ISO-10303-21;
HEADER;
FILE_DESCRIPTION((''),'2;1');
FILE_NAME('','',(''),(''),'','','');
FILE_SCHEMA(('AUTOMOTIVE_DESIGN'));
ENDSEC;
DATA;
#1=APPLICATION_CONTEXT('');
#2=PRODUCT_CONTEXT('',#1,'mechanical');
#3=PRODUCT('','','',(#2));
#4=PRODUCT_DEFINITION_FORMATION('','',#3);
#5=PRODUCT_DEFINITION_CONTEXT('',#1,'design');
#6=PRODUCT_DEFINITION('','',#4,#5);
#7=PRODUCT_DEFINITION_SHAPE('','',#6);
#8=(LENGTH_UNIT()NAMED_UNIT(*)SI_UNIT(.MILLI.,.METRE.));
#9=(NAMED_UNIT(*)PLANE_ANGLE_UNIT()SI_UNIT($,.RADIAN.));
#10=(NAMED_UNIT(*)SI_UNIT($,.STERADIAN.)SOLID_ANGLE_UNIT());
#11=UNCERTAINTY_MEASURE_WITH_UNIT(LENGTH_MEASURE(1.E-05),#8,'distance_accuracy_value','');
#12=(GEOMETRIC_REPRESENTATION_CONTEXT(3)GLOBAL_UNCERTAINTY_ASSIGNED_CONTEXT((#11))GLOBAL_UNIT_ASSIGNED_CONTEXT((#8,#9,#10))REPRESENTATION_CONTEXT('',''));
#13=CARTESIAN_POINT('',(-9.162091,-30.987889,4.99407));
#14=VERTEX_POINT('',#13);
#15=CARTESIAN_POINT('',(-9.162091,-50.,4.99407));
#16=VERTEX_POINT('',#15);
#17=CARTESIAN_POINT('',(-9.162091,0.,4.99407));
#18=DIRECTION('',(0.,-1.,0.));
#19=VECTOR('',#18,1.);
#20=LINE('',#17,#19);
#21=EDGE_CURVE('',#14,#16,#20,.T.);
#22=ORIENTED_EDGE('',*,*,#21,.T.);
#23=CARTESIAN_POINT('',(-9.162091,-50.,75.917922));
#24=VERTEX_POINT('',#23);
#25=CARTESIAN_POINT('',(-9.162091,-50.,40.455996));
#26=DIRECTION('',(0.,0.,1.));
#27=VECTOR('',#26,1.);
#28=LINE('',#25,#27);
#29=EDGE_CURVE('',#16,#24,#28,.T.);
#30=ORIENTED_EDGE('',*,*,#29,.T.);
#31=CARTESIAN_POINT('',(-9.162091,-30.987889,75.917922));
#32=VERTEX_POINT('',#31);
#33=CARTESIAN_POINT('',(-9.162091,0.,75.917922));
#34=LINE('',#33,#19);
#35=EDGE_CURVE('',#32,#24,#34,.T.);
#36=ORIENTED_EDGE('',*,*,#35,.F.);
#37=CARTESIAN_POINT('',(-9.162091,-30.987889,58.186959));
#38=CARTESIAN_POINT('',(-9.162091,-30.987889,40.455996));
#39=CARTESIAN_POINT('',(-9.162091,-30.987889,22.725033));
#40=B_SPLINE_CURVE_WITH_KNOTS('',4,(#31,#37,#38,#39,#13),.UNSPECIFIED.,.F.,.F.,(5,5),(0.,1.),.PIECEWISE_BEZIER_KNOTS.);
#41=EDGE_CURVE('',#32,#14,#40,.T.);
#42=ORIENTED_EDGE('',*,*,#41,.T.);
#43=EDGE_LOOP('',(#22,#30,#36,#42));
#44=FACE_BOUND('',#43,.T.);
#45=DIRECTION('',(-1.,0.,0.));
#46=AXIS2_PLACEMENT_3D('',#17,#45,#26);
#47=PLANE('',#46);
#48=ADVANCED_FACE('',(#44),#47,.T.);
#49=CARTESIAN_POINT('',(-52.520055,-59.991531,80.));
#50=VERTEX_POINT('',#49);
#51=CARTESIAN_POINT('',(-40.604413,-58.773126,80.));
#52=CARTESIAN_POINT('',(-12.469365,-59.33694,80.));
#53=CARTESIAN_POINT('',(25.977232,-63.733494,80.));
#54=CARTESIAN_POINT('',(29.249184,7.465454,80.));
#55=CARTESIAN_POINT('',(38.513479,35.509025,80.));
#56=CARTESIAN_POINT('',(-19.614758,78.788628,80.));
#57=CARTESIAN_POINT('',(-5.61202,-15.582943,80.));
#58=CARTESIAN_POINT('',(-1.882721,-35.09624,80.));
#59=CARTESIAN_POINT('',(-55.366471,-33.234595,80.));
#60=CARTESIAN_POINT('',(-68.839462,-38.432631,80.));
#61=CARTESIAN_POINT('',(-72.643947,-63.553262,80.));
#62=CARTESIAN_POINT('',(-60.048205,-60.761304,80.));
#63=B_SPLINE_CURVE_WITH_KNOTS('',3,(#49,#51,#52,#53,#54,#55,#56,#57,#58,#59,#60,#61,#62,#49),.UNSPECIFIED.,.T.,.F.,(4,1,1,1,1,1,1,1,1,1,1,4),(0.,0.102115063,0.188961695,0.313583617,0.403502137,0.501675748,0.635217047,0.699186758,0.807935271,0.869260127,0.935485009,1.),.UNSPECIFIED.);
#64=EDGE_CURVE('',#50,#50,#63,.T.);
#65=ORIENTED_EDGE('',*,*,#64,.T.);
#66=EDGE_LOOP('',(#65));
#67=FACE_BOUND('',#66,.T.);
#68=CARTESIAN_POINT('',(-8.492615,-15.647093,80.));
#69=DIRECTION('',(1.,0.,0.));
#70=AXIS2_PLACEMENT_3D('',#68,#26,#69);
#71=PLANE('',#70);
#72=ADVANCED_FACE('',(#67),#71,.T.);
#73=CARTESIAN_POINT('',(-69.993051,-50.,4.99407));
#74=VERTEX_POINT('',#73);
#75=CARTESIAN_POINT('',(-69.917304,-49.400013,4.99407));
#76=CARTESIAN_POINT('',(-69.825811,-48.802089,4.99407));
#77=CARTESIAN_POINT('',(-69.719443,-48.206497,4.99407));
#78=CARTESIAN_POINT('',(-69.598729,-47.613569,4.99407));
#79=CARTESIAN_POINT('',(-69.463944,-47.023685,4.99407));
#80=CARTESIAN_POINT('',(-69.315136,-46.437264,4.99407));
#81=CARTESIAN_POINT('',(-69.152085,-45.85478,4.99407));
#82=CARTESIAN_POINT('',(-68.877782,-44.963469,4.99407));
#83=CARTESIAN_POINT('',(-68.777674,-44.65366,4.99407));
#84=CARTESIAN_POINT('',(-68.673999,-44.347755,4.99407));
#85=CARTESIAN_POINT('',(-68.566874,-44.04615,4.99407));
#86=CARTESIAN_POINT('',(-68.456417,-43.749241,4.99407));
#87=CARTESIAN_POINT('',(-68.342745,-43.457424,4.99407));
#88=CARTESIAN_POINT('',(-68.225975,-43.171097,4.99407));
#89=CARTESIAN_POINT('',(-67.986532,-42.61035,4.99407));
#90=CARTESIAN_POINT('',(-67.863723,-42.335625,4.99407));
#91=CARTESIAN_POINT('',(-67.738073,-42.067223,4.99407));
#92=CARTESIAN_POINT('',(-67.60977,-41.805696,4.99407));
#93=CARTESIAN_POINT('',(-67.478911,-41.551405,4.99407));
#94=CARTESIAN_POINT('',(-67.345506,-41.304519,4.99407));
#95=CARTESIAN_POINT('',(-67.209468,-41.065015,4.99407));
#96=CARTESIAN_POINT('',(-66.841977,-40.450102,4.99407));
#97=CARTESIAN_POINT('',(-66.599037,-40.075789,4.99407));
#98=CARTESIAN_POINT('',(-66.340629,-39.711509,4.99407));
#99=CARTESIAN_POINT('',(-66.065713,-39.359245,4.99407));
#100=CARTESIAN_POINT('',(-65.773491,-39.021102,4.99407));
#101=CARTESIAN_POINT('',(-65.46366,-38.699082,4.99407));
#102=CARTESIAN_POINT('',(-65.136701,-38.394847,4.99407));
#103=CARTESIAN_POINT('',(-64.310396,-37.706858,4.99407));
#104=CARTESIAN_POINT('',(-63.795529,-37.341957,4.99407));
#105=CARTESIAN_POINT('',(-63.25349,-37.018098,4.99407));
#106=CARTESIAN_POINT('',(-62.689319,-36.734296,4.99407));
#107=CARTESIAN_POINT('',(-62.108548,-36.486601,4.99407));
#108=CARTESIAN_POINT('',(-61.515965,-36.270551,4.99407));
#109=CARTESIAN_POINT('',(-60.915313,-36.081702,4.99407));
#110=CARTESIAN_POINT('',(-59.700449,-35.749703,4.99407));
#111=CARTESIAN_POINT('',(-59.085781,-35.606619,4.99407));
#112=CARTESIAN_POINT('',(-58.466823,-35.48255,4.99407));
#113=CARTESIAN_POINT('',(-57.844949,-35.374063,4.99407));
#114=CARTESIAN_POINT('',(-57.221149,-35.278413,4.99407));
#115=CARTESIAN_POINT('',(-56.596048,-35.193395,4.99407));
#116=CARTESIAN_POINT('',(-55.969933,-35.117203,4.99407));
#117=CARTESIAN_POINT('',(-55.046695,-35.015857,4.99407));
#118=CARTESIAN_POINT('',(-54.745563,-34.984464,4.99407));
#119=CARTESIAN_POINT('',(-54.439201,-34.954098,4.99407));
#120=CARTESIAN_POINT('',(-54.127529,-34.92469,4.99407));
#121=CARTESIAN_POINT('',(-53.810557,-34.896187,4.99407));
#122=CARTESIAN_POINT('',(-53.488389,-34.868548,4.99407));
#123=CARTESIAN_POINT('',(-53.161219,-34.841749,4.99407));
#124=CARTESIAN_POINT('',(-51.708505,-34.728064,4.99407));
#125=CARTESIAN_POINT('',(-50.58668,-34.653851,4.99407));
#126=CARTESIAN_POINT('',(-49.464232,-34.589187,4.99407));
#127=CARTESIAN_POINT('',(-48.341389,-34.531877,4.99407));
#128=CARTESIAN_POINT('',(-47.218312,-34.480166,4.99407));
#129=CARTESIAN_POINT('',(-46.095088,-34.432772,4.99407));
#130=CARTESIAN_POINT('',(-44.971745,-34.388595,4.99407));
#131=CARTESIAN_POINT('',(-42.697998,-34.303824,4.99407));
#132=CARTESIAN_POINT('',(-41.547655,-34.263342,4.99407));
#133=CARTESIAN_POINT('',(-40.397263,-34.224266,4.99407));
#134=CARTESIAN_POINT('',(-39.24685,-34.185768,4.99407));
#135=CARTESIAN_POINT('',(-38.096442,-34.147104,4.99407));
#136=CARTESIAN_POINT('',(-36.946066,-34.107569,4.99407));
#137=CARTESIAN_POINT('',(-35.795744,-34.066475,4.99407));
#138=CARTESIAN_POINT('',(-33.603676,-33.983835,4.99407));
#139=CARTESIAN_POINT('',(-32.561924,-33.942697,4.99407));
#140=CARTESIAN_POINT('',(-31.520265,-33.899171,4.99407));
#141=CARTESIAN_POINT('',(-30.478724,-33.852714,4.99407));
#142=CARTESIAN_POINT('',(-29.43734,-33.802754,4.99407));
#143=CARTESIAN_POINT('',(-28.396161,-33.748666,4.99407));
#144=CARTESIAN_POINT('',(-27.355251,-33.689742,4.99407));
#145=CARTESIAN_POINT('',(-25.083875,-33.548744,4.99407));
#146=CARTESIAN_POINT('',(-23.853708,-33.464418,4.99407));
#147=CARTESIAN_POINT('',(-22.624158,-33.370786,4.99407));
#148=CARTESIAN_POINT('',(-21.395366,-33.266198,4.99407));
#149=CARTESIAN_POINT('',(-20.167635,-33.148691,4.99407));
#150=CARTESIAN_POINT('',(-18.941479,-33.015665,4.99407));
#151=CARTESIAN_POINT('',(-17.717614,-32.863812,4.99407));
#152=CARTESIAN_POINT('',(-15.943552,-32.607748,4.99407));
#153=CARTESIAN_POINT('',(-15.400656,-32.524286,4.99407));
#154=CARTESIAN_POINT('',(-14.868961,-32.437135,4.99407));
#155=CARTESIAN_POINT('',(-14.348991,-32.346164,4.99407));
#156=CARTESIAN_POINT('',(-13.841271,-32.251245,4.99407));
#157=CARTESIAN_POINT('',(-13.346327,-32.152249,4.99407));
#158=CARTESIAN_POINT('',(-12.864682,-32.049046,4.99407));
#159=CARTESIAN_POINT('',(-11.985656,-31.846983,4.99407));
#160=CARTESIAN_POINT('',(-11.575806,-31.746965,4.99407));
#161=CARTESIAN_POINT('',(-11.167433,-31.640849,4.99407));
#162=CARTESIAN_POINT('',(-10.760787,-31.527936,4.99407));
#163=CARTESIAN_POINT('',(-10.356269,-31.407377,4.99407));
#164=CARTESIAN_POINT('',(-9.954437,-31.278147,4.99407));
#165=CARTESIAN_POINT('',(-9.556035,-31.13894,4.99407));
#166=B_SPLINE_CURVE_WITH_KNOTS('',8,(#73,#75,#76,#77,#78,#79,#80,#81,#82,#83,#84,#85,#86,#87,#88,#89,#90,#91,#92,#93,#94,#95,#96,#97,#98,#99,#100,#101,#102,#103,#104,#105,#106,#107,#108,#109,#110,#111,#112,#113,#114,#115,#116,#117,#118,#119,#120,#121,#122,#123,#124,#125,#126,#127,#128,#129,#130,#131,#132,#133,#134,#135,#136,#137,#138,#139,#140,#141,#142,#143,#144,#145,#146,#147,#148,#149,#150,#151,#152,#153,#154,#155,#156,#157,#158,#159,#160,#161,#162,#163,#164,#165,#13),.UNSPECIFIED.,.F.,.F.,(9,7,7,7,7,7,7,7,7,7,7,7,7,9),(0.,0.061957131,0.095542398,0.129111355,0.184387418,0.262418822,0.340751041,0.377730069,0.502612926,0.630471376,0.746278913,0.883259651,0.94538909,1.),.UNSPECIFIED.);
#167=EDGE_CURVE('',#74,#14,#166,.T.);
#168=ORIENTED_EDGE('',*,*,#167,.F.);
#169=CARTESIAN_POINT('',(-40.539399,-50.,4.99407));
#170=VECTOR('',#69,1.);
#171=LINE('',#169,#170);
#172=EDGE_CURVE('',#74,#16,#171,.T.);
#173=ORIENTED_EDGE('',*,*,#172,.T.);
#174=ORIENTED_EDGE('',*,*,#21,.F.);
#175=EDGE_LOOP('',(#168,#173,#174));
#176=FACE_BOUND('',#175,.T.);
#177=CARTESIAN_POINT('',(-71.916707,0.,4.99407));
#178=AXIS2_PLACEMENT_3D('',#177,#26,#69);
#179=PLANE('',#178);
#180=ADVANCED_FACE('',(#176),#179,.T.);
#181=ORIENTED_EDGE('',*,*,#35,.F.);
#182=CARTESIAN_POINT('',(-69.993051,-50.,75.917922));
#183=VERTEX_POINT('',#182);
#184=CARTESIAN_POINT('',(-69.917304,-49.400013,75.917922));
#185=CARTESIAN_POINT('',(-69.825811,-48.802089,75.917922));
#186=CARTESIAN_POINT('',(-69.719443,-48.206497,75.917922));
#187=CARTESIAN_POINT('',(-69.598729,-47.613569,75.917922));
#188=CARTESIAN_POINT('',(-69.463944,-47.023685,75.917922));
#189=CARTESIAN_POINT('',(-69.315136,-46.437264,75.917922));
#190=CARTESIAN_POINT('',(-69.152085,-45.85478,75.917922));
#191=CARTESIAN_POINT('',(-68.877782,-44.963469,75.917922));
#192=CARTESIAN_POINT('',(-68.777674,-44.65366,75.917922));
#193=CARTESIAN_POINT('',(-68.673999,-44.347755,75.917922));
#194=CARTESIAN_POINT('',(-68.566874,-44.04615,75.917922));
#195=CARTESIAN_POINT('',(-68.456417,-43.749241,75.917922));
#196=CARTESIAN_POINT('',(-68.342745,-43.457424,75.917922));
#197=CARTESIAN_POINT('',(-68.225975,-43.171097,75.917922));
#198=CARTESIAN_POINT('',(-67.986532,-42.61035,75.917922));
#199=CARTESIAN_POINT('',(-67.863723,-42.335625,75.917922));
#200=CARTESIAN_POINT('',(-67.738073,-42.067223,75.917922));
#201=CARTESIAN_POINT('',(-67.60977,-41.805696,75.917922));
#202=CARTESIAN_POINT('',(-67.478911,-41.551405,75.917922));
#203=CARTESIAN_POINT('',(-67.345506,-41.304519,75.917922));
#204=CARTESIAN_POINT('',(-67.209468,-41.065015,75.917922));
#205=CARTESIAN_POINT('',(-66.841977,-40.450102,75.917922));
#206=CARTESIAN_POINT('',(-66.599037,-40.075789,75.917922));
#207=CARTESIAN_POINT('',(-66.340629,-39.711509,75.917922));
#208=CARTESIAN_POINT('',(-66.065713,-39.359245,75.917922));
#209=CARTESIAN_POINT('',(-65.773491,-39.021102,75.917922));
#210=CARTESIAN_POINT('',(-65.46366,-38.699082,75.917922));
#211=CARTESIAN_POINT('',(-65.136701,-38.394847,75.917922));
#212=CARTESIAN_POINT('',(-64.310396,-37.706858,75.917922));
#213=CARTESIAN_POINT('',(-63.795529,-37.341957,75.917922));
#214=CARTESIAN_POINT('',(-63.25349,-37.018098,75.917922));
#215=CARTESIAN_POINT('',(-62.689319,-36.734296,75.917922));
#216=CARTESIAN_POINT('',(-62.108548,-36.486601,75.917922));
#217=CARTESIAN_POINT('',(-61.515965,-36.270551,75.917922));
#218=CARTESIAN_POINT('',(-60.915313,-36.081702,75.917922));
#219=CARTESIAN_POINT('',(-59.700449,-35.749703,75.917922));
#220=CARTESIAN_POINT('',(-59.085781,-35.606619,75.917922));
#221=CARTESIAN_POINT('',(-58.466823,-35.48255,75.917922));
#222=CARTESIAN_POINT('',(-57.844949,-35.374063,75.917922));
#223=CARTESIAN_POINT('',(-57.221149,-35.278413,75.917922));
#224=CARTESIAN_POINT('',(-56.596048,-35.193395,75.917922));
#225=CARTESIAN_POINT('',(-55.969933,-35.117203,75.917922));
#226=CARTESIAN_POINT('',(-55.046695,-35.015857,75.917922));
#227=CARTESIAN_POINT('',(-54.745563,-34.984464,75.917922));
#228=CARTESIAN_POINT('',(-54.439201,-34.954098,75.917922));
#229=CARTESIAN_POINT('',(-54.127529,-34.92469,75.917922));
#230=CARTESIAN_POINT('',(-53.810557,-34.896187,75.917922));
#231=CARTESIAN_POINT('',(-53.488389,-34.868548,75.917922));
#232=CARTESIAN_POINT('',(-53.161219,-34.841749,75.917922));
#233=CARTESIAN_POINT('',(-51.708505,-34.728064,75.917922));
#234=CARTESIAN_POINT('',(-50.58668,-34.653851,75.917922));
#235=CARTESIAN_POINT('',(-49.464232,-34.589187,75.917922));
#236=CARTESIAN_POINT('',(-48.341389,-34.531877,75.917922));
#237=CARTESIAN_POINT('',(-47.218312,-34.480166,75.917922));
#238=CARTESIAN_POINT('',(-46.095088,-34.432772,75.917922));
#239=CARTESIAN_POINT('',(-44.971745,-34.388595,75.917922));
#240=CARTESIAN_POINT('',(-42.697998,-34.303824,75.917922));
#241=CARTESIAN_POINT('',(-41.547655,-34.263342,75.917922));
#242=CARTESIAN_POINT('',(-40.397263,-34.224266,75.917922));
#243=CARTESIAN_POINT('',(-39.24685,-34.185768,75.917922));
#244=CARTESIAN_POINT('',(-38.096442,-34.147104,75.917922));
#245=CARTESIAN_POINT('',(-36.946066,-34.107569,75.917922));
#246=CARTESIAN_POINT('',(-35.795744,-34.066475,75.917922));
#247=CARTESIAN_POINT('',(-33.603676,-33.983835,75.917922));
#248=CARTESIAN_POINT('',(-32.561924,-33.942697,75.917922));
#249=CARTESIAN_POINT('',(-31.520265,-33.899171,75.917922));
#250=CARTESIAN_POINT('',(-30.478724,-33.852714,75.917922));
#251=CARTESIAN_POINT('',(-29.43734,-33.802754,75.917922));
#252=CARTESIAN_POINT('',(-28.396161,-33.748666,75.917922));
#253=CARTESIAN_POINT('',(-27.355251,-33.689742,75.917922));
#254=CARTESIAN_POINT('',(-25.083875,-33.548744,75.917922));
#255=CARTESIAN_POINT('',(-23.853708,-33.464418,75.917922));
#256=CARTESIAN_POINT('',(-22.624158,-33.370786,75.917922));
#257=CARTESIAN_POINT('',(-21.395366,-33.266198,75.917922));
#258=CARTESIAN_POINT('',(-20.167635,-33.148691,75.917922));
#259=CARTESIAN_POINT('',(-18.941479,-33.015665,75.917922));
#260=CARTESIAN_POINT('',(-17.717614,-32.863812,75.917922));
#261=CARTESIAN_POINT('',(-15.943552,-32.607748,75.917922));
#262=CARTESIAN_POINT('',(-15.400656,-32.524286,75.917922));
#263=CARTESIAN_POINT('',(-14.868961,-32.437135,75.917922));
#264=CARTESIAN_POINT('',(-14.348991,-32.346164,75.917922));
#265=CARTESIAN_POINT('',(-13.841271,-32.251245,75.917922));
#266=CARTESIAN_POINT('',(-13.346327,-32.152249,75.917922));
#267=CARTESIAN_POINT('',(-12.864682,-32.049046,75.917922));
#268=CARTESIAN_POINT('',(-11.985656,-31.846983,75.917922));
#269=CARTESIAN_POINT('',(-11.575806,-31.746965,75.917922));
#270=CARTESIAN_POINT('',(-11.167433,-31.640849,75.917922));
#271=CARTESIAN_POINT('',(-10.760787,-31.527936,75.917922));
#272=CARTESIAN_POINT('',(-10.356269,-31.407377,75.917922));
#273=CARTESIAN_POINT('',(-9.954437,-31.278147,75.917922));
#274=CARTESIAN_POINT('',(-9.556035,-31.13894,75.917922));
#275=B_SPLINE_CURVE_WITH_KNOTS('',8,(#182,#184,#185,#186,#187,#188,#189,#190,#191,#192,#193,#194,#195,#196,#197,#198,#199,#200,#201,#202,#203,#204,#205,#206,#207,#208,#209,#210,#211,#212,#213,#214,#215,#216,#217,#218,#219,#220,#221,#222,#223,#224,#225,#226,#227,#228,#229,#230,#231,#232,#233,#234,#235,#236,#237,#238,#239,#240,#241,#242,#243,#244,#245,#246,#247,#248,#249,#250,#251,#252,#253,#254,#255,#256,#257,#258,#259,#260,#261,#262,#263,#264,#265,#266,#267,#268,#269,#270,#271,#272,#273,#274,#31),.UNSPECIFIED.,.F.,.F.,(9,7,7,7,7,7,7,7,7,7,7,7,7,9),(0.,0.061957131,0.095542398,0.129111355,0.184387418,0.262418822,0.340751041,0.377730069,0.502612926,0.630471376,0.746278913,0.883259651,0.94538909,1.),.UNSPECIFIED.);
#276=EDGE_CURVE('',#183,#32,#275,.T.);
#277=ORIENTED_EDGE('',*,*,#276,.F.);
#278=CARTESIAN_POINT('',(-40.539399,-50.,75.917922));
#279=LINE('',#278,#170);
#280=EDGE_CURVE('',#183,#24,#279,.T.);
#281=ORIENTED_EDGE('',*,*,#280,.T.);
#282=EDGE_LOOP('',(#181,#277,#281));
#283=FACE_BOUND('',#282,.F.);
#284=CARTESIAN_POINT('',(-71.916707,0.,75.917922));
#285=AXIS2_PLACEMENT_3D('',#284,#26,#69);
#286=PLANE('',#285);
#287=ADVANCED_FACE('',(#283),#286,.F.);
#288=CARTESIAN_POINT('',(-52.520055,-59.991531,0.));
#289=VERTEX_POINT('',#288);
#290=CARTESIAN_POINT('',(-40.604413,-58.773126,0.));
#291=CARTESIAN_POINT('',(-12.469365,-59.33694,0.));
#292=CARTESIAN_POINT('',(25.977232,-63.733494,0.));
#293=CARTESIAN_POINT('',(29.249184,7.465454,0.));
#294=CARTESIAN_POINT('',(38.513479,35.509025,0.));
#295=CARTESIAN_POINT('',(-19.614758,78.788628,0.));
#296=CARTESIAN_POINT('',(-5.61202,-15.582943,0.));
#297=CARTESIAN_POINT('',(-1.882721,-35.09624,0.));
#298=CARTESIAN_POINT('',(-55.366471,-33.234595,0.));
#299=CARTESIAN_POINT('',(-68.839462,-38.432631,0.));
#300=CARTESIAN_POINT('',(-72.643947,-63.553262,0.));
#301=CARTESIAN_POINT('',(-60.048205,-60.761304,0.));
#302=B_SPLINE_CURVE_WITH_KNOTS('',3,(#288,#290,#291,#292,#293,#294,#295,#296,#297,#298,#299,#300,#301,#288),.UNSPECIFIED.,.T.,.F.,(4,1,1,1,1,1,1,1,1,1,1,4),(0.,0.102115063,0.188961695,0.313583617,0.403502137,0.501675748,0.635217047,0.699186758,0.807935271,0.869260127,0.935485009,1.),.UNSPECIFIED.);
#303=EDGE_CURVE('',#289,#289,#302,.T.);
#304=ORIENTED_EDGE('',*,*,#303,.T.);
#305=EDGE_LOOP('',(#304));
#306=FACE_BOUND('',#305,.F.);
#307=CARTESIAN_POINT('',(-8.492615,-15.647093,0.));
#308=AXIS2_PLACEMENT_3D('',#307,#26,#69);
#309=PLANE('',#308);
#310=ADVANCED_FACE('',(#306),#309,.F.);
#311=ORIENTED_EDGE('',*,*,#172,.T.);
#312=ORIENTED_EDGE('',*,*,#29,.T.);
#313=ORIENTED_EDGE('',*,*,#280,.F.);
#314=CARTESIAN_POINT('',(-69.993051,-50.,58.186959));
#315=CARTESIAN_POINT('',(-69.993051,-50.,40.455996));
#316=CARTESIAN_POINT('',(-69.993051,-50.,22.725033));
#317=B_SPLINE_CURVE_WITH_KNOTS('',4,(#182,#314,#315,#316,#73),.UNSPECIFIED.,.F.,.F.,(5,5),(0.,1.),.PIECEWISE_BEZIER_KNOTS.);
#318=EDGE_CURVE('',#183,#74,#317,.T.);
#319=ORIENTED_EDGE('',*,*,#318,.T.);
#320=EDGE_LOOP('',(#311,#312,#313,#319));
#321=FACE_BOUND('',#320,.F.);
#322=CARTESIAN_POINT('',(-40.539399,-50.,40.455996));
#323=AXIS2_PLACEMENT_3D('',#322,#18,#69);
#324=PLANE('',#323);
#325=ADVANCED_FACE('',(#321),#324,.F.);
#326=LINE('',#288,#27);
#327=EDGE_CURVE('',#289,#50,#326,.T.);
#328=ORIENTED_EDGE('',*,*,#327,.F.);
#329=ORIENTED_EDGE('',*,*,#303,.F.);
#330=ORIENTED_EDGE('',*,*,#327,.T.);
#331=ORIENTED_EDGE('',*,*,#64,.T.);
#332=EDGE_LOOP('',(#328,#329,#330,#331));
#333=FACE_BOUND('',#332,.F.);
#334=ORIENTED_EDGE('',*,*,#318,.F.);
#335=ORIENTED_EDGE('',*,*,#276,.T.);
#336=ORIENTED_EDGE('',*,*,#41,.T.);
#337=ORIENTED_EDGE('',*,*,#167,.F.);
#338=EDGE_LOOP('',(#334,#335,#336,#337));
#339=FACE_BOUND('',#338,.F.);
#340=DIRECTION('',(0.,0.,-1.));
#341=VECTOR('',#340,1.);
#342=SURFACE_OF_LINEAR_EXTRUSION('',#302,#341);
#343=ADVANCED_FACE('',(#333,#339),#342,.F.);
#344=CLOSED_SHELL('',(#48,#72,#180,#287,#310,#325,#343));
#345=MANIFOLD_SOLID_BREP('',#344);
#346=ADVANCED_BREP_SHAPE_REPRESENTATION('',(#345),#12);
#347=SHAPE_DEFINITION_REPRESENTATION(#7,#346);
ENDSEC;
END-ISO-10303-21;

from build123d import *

# Parameters (mm, degrees)
F1_DEPTH = 80
F2_W     = 62.7546161413
F2_H     = 70.9238518029
F3_DEPTH = 50


with BuildPart() as f1:
    # F0 (on Top) → F1 (new body)
    with BuildSketch(Plane.XY):
        with BuildLine():
            add(Edge.make_bspline(
                [(-52.5200553238, -59.991531074), (-40.60441342, -58.7731262983), (-12.469365257, -59.3369400121), (25.977231685, -63.7334936331), (29.2491837599, 7.4654544002), (38.5134792016, 35.5090246858), (-19.614757559, 78.7886275924), (-5.6120199069, -15.5829426668), (-1.8827205412, -35.0962399441), (-55.3664712621, -33.2345954203), (-68.839461673, -38.4326312622), (-72.643947414, -63.5532619528), (-60.0482054863, -60.7613036289), (-52.5200553238, -59.991531074)],
                knots=[0, 0, 0, 0, 0.102115063, 0.1889616951, 0.3135836169, 0.4035021374, 0.5016757477, 0.6352170469, 0.6991867581, 0.8079352705, 0.8692601269, 0.9354850092, 1, 1, 1, 1], degree=3))
        make_face()
    extrude(amount=F1_DEPTH)

    # F2 (on Front) → F3 (cut)
    with BuildSketch(Plane.XZ):
        with Locations((-40.5393987894, 40.4559960589)):
            Rectangle(F2_W, F2_H)
    extrude(amount=F3_DEPTH, mode=Mode.SUBTRACT)


solid = f1.part
